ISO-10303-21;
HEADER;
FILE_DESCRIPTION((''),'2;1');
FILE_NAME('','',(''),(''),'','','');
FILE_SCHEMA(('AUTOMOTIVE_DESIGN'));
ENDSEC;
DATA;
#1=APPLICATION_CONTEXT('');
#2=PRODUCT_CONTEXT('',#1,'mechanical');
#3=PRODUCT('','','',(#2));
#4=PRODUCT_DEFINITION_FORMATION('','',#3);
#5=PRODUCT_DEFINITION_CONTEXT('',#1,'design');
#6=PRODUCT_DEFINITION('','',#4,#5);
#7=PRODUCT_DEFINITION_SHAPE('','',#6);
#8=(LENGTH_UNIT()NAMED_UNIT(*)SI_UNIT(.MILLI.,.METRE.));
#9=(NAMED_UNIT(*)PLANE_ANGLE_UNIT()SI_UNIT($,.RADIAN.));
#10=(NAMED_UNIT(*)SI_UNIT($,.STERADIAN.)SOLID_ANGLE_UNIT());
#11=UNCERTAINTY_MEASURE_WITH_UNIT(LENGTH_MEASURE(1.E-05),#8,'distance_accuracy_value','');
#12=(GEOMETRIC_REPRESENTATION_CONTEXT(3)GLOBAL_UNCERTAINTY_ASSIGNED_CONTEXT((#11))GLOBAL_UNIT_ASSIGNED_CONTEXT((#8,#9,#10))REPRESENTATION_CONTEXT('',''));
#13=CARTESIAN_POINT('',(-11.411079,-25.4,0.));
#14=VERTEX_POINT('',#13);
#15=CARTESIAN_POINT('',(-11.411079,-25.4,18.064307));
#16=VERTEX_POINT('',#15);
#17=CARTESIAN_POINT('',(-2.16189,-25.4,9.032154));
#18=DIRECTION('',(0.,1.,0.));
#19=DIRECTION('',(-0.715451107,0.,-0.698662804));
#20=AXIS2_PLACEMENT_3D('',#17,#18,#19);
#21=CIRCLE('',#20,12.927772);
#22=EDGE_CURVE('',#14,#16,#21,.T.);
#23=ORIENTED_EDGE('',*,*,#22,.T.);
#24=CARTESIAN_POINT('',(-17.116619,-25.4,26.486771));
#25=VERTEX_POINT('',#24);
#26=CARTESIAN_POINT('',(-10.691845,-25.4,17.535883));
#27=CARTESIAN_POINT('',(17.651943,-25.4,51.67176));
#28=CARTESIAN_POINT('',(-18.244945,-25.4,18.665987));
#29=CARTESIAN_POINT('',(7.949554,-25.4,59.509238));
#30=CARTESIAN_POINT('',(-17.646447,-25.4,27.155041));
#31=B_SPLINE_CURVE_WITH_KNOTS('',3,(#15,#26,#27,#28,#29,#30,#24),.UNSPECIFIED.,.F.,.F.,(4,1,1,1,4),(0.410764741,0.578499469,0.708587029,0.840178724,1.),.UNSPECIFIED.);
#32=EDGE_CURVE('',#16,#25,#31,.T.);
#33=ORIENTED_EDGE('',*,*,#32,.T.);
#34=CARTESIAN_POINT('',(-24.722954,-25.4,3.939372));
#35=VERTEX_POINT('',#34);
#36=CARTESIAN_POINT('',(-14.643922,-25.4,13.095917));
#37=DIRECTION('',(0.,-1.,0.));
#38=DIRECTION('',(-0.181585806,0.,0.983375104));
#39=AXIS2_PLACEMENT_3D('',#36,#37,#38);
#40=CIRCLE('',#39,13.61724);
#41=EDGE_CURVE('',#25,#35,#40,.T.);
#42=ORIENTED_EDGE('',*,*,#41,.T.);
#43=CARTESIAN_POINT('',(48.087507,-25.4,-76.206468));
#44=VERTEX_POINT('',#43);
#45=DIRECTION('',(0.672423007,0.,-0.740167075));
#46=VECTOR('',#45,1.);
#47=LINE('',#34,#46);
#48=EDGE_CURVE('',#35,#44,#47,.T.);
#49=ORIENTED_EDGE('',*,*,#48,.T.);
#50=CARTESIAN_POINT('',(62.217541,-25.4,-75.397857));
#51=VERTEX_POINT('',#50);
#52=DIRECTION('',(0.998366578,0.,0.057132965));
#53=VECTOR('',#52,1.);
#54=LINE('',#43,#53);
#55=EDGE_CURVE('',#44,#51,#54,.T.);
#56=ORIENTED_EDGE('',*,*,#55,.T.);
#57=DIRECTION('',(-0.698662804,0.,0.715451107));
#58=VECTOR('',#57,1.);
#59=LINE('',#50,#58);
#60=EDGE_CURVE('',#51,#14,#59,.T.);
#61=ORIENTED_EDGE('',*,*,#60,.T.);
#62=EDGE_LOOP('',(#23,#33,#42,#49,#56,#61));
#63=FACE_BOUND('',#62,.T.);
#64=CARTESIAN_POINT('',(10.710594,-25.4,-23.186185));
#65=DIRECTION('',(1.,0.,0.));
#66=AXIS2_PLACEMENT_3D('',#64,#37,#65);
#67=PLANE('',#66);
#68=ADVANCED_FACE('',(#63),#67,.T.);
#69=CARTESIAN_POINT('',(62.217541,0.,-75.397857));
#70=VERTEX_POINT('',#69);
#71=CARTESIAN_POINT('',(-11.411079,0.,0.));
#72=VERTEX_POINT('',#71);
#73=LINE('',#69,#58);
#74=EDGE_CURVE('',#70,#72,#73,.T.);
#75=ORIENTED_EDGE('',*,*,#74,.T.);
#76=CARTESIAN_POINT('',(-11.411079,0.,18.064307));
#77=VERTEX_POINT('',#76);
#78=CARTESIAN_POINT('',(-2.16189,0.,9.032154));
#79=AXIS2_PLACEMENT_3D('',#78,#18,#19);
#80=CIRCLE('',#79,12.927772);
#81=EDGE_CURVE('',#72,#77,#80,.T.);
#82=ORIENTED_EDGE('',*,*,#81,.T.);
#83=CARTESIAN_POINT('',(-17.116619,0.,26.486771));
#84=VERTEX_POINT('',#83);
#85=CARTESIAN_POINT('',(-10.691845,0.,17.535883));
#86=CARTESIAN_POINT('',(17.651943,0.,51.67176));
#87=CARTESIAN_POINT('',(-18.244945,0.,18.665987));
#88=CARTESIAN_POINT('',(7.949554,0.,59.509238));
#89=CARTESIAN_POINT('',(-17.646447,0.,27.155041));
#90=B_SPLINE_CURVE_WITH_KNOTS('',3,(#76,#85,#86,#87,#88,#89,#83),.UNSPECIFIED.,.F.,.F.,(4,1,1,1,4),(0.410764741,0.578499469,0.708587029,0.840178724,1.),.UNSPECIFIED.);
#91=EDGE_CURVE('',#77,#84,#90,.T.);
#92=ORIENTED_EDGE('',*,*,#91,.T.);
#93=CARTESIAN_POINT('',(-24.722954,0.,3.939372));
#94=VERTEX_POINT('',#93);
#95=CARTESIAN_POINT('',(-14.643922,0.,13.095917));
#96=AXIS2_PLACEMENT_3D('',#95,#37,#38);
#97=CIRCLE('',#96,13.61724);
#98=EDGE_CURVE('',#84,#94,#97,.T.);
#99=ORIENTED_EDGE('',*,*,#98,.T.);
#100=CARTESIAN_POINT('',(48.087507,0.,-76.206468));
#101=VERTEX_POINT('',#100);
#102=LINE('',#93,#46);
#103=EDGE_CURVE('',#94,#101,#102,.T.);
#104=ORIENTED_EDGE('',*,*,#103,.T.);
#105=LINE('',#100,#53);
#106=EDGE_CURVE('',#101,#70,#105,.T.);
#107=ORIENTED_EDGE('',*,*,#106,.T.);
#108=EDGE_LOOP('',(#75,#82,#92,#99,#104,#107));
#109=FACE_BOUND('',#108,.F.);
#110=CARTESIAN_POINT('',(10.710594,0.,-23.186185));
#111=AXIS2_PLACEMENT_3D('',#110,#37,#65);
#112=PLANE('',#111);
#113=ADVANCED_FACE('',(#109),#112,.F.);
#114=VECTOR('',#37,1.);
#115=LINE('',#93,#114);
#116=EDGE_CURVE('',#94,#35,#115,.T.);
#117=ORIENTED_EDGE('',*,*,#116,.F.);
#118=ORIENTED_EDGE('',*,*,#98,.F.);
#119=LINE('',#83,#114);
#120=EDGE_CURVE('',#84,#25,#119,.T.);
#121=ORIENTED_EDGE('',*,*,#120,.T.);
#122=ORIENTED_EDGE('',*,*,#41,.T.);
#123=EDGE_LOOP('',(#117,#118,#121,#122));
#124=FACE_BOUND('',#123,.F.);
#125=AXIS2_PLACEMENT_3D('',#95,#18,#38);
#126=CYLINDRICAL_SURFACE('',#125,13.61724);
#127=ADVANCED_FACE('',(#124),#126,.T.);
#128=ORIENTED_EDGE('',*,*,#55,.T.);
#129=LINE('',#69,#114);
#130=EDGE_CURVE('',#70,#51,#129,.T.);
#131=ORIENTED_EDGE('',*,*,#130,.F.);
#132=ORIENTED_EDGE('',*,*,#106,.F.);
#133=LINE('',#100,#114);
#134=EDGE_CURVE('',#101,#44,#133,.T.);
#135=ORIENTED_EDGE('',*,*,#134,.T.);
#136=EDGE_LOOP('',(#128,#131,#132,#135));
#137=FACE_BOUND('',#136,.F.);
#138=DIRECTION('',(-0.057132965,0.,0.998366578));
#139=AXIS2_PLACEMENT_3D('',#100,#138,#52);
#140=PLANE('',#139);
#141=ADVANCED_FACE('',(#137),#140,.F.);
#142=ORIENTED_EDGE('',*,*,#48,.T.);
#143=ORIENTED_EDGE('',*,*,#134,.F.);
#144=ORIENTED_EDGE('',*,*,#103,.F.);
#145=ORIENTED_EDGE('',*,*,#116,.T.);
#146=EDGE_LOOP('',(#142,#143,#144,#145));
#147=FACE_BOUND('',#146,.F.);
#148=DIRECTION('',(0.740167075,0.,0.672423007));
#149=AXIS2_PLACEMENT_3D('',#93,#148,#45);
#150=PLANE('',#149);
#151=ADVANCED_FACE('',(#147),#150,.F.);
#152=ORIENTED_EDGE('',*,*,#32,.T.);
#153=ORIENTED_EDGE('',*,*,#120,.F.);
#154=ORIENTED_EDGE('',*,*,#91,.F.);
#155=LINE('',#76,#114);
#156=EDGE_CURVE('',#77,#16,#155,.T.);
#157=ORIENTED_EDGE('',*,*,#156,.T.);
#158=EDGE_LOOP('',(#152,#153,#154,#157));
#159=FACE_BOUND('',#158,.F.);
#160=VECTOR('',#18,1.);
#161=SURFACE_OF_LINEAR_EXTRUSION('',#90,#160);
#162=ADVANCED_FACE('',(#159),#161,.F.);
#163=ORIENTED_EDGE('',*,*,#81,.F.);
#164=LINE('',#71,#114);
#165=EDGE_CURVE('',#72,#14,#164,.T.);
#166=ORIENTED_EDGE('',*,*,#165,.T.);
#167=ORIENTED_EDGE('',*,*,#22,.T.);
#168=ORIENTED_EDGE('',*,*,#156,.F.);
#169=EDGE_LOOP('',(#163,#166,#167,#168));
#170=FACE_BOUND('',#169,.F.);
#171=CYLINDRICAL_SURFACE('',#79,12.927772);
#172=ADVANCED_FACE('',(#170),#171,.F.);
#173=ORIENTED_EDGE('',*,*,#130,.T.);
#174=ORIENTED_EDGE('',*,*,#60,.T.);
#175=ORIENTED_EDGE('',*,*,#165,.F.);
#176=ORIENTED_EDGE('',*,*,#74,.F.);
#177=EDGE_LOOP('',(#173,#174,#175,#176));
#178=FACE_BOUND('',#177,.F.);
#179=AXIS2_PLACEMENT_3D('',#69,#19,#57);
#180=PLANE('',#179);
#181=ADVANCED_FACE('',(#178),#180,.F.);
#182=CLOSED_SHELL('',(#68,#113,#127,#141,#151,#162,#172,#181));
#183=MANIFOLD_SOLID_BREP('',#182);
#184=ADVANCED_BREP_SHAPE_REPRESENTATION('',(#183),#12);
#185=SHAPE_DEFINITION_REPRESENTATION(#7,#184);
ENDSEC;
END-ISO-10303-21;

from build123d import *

# Parameters (mm, degrees)
F1_DEPTH = 25.4


with BuildPart() as f1:
    # F0 (on Front) → F1 (new body)
    with BuildSketch(Plane.XZ):
        with BuildLine():
            Line((-24.7229542583, 3.939371556), (48.0875074863, -76.2064680457))
            Line((48.0875074863, -76.2064680457), (62.217541039, -75.3978565335))
            Line((62.217541039, -75.3978565335), (-11.4110792056, 0))
            ThreePointArc((-11.4110792056, 0), (-15.0896624548, 9.0321535245), (-11.4110792056, 18.0643070489))
            add(Edge.make_bspline(
                [(-17.116619274, 26.4867711812), (-16.7788120486, 26.060696821), (-4.6906614506, 38.6427814927), (-15.7910114784, 17.6552812131), (0.9698560295, 37.008144079), (-11.9217907097, 18.4395287861), (-11.4110792056, 18.0643070489)],
                knots=[0, 0, 0, 0, 0.1018986592, 0.1967794037, 0.2916601283, 0.4107647406, 0.4107647406, 0.4107647406, 0.4107647406], degree=3))
            ThreePointArc((-17.116619274, 26.4867711812), (-27.5467427774, 17.4486660796), (-24.7229542583, 3.939371556))
        make_face()
        with BuildLine():
            add(Edge.make_bspline(
                [(-11.4110792056, 18.0643070489), (-10.6918454686, 17.5358832126), (17.6519428922, 51.6717596608), (-18.2449450087, 18.6659869435), (7.9495540575, 59.5092377708), (-17.6464474603, 27.1550405032), (-17.116619274, 26.4867711812)],
                knots=[0.4107647406, 0.4107647406, 0.4107647406, 0.4107647406, 0.5784994689, 0.7085870288, 0.8401787241, 1, 1, 1, 1], degree=3))
            add(Edge.make_bspline(
                [(-17.116619274, 26.4867711812), (-16.7788120486, 26.060696821), (-4.6906614506, 38.6427814927), (-15.7910114784, 17.6552812131), (0.9698560295, 37.008144079), (-11.9217907097, 18.4395287861), (-11.4110792056, 18.0643070489)],
                knots=[0, 0, 0, 0, 0.1018986592, 0.1967794037, 0.2916601283, 0.4107647406, 0.4107647406, 0.4107647406, 0.4107647406], degree=3))
        make_face()
    extrude(amount=F1_DEPTH)


solid = f1.part
